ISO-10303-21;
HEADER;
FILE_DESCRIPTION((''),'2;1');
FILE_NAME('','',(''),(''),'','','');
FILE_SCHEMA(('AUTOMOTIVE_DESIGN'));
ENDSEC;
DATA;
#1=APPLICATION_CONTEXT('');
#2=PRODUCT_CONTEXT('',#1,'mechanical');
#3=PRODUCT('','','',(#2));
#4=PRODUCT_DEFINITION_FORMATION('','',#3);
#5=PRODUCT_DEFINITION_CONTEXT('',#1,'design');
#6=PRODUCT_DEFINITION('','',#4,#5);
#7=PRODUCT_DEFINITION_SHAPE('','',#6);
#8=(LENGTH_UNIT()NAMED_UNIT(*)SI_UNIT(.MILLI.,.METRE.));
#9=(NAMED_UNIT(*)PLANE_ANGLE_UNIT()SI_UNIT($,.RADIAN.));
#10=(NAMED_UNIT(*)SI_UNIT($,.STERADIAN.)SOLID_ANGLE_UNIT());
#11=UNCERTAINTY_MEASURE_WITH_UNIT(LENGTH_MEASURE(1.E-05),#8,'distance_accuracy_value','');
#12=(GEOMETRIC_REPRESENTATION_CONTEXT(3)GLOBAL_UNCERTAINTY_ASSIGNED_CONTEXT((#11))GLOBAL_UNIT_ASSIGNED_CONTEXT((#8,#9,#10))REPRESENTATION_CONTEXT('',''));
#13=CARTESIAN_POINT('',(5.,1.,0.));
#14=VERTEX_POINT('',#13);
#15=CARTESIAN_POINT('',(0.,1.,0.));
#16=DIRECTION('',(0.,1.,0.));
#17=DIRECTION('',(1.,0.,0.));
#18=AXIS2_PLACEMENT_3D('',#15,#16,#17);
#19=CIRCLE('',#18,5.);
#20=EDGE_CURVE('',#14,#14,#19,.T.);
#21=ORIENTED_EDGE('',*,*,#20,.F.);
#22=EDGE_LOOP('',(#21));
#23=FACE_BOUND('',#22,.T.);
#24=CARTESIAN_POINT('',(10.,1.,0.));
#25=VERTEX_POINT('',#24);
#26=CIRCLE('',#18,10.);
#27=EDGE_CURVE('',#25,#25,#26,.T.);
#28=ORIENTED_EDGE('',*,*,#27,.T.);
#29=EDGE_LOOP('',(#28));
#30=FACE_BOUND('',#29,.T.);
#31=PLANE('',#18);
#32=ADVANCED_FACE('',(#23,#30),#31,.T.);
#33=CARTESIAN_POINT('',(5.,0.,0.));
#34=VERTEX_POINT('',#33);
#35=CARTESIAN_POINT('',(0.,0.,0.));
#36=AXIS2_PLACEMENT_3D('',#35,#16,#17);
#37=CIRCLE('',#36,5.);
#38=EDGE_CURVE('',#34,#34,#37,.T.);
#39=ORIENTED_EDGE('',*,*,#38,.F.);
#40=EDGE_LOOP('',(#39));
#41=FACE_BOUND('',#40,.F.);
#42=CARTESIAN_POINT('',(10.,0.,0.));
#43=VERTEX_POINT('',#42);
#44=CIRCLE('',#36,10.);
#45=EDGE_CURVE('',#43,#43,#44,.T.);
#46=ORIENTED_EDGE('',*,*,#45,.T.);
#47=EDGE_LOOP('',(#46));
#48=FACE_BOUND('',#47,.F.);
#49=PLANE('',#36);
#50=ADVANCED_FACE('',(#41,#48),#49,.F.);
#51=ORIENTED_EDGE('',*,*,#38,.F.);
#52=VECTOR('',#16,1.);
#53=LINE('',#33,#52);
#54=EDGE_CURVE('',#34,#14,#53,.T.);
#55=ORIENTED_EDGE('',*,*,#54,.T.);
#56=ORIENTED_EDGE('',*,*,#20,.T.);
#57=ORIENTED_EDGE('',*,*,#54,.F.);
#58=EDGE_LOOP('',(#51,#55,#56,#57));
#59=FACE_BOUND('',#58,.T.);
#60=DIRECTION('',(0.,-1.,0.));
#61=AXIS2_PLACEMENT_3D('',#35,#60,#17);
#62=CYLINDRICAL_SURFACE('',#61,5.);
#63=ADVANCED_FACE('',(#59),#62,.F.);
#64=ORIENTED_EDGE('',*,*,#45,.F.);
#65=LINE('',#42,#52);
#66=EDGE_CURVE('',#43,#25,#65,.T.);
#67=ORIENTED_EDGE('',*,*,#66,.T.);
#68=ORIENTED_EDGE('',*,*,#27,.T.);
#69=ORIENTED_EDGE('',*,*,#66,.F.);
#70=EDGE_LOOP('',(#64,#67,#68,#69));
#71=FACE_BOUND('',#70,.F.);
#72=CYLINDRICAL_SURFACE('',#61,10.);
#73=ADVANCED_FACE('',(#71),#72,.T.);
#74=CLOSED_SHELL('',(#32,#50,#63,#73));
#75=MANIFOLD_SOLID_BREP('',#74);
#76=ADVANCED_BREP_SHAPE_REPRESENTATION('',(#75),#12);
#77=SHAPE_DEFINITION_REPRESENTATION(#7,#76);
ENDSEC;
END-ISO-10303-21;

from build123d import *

# Parameters (mm, degrees)
SKETCH1_R           = 10
SKETCH1_R_2         = 5
BOSS_EXTRUDE1_DEPTH = 1


with BuildPart() as part:
    # Sketch1 → Boss-Extrude1 (new body)
    with BuildSketch(Plane(origin=(0, 0, 0), x_dir=(1, 0, 0), z_dir=(0, 1, 0))):
        Circle(SKETCH1_R)
        Circle(SKETCH1_R_2, mode=Mode.SUBTRACT)
    extrude(amount=BOSS_EXTRUDE1_DEPTH)


solid = part.part
